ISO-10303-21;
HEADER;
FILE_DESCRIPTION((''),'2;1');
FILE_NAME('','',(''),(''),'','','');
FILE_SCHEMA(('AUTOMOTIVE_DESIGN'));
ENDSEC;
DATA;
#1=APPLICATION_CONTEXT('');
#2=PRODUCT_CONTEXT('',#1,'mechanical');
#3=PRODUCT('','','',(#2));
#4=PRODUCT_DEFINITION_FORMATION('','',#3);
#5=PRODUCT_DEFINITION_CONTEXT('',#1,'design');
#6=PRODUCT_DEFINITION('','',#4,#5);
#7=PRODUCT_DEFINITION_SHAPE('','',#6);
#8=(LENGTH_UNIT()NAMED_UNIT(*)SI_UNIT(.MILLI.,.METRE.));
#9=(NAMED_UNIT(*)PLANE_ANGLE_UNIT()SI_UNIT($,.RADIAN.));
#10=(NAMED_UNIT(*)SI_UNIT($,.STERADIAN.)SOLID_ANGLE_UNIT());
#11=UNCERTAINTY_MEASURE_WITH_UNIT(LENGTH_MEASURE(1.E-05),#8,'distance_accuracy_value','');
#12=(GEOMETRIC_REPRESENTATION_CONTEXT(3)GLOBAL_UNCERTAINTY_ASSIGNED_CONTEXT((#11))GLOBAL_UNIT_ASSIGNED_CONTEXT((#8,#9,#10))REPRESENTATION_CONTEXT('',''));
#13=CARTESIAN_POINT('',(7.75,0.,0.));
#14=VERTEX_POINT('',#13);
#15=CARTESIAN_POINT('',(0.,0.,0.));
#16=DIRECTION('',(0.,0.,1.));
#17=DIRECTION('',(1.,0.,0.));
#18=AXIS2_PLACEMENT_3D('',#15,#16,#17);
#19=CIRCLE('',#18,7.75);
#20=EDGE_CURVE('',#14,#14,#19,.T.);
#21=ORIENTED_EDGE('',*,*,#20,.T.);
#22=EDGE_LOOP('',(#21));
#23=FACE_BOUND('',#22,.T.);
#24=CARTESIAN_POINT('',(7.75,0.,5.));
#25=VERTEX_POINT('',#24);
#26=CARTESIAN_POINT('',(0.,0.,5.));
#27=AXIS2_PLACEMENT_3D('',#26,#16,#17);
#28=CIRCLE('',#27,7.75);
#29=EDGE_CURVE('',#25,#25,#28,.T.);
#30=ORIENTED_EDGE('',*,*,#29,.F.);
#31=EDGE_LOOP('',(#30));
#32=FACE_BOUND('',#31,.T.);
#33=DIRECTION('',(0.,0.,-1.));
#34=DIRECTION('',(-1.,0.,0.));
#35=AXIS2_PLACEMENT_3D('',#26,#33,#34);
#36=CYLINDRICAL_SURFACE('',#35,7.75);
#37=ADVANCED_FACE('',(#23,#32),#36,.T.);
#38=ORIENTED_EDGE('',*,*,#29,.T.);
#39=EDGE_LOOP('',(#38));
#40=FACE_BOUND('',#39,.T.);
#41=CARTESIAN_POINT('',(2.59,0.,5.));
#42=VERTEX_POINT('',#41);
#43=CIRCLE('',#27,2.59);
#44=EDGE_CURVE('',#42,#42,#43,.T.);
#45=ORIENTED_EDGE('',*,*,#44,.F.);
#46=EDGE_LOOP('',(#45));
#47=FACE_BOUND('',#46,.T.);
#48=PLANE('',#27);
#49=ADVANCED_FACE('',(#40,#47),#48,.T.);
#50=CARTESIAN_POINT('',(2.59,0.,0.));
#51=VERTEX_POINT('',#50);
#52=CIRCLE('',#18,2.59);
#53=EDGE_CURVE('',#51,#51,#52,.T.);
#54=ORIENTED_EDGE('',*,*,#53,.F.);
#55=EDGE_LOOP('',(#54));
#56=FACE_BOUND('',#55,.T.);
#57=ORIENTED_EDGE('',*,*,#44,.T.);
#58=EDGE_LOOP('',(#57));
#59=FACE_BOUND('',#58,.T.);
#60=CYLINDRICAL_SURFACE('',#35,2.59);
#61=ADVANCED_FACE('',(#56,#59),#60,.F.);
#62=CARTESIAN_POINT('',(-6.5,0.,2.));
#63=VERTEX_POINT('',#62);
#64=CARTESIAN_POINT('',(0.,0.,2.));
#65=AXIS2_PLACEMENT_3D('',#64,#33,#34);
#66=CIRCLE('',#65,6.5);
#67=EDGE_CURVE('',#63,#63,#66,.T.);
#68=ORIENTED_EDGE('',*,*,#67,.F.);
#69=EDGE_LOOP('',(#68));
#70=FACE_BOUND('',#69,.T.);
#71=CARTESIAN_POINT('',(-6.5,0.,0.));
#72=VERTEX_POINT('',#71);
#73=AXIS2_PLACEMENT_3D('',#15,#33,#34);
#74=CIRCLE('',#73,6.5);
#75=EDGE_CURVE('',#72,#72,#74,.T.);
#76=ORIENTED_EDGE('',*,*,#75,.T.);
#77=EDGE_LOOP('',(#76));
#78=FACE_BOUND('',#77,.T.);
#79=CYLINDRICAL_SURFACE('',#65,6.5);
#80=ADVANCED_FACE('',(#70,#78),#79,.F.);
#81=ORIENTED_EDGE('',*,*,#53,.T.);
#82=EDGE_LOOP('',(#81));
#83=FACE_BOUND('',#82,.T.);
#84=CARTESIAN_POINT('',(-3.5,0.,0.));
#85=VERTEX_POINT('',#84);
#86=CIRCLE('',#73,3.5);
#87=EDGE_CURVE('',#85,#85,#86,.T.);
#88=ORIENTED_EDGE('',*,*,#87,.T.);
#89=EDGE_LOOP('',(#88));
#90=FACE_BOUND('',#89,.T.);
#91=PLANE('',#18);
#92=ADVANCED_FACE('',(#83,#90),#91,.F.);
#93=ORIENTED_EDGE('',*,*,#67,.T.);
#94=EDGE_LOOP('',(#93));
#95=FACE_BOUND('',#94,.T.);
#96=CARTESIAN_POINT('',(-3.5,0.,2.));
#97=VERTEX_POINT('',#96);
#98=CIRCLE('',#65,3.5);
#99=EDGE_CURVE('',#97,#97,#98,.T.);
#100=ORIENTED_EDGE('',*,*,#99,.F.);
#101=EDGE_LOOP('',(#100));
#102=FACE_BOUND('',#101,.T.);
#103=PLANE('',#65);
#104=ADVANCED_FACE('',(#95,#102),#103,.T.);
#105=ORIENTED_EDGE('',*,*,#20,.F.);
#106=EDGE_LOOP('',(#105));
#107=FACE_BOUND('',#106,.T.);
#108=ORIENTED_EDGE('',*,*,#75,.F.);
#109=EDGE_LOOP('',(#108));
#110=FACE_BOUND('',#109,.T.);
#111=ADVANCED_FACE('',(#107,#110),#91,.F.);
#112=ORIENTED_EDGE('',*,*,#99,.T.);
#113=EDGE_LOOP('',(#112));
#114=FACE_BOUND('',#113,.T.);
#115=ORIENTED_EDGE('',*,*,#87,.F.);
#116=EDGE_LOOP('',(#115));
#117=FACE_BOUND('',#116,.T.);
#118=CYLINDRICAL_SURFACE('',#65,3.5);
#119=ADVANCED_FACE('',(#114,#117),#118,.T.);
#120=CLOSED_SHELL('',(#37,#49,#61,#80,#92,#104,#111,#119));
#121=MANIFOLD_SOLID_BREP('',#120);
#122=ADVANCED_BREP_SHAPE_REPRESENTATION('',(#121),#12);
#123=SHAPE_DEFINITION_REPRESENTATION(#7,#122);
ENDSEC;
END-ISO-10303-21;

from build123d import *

# Parameters (mm, degrees)
SKETCH1_R           = 7.75
SKETCH1_R_2         = 2.59
BOSS_EXTRUDE1_DEPTH = 5
SKETCH2_R           = 6.5
SKETCH2_R_2         = 3.5
CUT_EXTRUDE1_DEPTH  = 2


with BuildPart() as part:
    # Sketch1 → Boss-Extrude1 (new body)
    with BuildSketch(Plane.XY):
        Circle(SKETCH1_R)
        Circle(SKETCH1_R_2, mode=Mode.SUBTRACT)
    extrude(amount=BOSS_EXTRUDE1_DEPTH)

    # Sketch2 → Cut-Extrude1 (cut)
    with BuildSketch(Plane(origin=(0, 0, 0), x_dir=(-1, 0, 0), z_dir=(0, 0, -1))):
        Circle(SKETCH2_R)
        Circle(SKETCH2_R_2, mode=Mode.SUBTRACT)
    extrude(amount=-CUT_EXTRUDE1_DEPTH, mode=Mode.SUBTRACT)


solid = part.part
